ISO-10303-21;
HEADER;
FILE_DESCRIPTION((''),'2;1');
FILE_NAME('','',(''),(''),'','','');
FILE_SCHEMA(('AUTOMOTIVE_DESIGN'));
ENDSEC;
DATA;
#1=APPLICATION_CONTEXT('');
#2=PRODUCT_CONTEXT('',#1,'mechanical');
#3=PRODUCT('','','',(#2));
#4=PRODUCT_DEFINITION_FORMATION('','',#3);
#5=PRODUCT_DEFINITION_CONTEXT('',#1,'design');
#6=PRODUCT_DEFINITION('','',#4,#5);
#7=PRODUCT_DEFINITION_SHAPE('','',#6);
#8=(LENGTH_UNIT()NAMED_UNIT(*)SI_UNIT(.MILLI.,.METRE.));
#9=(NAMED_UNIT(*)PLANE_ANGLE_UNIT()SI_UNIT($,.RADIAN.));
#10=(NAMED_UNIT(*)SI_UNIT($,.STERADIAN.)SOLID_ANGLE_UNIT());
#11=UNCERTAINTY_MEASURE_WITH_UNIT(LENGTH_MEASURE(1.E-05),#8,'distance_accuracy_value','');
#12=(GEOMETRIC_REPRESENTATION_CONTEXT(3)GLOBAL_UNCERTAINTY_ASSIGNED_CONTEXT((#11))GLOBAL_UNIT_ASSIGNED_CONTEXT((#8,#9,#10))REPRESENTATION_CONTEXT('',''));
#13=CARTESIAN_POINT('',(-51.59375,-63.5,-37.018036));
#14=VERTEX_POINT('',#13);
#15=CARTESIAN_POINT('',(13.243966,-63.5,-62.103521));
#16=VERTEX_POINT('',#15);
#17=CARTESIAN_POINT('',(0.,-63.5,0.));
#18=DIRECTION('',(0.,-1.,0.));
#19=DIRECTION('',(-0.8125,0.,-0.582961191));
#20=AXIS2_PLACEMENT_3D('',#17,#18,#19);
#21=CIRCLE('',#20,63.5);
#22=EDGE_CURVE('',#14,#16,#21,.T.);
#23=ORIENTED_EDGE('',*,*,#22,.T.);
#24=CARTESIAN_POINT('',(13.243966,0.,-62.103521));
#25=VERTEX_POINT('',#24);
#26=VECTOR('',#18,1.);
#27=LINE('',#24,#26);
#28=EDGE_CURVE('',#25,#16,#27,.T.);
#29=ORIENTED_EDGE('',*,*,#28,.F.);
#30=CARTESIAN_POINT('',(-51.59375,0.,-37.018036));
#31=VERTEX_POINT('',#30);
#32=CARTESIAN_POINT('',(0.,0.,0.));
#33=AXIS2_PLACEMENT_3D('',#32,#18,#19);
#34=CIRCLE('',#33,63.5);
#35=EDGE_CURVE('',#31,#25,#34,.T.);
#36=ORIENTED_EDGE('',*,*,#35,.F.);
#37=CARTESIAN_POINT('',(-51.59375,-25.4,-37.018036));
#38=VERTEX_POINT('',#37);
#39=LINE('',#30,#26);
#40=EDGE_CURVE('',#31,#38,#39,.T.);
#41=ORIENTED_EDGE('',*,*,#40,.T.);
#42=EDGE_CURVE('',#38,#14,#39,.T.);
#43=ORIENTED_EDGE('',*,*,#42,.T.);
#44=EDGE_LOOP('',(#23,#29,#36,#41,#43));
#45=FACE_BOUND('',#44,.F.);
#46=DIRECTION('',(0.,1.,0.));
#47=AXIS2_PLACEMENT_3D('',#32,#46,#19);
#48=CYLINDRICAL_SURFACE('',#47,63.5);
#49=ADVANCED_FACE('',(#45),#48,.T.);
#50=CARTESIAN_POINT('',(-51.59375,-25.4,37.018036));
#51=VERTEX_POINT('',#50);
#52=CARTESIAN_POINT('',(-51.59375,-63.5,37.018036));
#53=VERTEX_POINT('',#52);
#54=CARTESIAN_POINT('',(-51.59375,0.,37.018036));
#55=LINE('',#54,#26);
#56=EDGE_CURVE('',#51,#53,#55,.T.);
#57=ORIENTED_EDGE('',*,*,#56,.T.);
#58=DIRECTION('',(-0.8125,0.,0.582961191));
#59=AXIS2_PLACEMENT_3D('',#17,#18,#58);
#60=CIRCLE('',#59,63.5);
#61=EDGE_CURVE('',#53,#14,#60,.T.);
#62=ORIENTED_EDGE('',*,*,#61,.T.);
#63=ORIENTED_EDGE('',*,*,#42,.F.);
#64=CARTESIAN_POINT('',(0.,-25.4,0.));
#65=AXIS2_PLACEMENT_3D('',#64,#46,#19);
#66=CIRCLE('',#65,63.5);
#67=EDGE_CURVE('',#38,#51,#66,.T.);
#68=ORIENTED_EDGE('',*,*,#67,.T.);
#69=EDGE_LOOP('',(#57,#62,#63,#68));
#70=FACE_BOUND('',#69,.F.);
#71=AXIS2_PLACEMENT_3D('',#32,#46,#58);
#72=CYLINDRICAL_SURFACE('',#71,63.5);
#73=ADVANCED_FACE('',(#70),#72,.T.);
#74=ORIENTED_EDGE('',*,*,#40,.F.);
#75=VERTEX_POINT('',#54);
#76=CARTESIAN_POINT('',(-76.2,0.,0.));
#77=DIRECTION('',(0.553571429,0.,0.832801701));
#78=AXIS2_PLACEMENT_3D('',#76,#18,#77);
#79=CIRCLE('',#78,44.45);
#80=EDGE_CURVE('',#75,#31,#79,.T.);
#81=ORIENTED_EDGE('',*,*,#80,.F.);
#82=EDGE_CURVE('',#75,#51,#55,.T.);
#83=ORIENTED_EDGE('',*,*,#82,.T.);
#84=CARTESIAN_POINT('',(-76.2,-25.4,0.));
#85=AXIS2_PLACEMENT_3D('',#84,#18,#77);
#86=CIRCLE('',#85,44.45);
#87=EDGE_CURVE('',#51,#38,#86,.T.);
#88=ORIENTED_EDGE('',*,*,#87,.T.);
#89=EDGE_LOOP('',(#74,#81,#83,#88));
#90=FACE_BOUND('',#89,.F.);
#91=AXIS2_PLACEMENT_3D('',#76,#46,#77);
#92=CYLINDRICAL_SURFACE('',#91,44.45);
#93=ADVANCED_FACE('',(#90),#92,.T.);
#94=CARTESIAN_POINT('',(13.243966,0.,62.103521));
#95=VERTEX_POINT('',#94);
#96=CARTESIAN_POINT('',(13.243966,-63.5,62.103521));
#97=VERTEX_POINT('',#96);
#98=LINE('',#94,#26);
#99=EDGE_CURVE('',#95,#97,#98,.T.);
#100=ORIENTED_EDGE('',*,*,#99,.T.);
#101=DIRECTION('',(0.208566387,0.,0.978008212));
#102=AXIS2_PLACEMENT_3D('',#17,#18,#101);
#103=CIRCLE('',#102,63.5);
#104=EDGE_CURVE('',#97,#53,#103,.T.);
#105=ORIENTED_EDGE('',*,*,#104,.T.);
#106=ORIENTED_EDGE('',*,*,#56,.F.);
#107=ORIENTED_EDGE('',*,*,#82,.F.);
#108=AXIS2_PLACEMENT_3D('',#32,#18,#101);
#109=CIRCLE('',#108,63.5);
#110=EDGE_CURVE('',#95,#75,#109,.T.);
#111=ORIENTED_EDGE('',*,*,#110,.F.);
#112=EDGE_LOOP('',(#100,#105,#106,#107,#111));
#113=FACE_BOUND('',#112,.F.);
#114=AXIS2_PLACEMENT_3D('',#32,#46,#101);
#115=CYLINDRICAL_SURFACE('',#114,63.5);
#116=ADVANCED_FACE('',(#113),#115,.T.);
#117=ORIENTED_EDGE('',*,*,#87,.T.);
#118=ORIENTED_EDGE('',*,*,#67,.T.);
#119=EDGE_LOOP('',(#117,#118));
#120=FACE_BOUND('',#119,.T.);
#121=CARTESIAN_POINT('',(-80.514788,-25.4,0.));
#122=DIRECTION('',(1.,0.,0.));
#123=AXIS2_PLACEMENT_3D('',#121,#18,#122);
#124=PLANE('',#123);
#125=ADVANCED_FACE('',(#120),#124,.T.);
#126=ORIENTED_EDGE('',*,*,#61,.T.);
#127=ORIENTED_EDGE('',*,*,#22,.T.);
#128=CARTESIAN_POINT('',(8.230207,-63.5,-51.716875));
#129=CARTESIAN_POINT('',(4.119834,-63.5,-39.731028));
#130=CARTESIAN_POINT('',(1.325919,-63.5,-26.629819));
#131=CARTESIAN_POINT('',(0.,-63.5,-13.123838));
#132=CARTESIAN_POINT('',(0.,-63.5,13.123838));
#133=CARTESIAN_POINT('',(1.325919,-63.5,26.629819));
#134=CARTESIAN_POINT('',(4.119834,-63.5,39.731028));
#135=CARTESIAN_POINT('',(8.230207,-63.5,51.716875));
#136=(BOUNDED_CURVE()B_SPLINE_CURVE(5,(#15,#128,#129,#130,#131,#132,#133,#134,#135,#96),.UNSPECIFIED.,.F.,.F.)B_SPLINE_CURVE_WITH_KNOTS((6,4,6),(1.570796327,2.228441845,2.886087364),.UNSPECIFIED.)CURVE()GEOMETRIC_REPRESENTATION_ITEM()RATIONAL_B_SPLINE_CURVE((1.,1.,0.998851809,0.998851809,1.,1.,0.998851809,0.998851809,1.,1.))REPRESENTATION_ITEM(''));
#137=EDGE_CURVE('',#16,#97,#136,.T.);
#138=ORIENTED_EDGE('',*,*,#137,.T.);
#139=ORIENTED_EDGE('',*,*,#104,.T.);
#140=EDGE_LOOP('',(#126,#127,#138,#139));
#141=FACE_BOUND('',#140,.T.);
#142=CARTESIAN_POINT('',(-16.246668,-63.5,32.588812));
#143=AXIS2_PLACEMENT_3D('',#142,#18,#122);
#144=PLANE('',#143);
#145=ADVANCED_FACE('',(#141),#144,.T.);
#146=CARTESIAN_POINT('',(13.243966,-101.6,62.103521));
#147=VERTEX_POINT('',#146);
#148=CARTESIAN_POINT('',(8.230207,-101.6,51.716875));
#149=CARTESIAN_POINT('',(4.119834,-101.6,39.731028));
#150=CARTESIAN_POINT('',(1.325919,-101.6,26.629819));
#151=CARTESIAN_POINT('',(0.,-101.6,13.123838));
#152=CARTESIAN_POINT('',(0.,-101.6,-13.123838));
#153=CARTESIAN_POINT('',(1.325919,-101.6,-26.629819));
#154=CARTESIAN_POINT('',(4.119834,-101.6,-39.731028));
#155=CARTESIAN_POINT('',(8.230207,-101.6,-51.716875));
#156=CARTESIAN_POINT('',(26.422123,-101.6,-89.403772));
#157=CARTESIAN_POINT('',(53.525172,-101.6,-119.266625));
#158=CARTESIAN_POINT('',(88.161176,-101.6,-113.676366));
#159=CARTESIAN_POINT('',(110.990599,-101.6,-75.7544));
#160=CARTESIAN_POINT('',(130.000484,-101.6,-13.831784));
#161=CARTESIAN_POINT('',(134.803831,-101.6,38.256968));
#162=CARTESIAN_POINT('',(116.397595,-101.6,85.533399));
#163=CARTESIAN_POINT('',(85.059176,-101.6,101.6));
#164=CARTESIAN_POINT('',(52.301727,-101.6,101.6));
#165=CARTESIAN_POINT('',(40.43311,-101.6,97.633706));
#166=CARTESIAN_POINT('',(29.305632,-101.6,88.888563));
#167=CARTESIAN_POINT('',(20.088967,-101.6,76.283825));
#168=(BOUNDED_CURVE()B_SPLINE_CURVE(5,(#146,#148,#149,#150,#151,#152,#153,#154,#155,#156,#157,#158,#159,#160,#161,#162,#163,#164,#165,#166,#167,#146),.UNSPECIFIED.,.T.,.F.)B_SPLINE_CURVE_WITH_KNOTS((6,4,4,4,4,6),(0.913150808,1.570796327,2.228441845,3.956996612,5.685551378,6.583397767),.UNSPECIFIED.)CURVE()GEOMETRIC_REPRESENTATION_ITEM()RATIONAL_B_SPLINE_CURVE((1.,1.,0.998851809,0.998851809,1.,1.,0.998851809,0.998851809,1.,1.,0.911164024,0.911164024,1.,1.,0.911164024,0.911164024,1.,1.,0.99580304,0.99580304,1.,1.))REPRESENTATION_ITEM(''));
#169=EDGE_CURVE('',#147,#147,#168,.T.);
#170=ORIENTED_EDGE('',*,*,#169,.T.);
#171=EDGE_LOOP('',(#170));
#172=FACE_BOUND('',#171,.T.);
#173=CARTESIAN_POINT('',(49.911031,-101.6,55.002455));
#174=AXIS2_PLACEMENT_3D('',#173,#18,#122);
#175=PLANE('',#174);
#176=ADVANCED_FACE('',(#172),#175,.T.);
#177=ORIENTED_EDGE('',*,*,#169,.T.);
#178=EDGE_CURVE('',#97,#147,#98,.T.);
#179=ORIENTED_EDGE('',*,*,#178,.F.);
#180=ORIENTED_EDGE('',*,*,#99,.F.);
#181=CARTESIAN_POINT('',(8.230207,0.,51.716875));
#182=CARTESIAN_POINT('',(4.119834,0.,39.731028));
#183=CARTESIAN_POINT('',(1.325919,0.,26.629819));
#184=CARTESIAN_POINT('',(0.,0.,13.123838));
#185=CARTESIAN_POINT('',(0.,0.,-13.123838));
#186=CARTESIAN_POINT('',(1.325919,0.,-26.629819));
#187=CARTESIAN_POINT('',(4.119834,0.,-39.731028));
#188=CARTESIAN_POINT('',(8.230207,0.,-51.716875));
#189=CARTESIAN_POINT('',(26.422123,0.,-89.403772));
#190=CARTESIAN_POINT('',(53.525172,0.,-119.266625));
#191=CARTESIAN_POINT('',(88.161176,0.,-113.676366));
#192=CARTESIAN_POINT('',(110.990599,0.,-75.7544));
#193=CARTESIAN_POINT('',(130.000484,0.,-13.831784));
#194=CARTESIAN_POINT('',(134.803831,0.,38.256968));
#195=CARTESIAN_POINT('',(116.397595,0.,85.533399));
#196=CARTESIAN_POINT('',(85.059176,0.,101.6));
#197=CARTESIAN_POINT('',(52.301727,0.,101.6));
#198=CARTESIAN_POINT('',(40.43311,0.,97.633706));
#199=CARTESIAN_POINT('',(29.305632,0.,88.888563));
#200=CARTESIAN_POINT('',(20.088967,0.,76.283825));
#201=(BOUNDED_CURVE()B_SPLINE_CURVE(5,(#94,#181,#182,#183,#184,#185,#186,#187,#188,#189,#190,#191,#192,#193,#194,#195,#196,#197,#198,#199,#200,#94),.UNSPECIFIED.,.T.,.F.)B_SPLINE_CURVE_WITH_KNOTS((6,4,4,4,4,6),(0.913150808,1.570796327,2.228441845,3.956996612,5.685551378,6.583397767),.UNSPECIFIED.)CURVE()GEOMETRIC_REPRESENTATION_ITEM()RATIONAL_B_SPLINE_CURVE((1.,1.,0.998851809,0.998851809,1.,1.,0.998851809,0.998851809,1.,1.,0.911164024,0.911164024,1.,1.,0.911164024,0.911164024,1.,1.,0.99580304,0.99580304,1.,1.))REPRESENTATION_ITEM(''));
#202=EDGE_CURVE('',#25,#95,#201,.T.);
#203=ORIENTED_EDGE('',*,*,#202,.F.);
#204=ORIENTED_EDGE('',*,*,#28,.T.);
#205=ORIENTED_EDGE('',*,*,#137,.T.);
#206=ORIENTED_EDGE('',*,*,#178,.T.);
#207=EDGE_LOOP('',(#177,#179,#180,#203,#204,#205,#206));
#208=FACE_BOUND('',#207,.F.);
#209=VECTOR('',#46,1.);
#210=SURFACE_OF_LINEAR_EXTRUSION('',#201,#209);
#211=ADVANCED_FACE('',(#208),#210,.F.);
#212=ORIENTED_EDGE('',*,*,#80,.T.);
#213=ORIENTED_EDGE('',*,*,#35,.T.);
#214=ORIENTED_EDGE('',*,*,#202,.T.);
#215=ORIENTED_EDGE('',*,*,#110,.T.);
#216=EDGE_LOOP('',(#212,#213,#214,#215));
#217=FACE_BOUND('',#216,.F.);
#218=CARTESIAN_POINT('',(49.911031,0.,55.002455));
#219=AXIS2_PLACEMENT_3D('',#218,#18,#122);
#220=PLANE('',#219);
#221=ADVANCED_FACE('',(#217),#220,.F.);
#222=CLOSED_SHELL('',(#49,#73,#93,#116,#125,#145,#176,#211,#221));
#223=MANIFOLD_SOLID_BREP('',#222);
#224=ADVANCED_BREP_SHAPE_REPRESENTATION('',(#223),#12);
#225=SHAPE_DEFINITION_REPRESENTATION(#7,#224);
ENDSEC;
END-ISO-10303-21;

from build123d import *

# Parameters (mm, degrees)
F1_DEPTH = 25.4
F2_DEPTH = 63.5
F3_DEPTH = 101.6


with BuildPart() as f1:
    # F0 (on Front) → F1 (new body)
    with BuildSketch(Plane.XZ):
        with BuildLine():
            ThreePointArc((-51.59375, -37.0180356169), (-60.4501990278, -19.4428248333), (-63.5, 0))
            ThreePointArc((-63.5, 0), (-60.4501990278, 19.4428248333), (-51.59375, 37.0180356169))
            ThreePointArc((-51.59375, 37.0180356169), (-120.65, 0), (-51.59375, -37.0180356169))
        make_face()
    extrude(amount=F1_DEPTH)

    # F0 (on Front) → F2 (join)
    with BuildSketch(Plane.XZ):
        with BuildLine():
            Line((-31.75, 0), (0, 0))
            add(Edge.make_bspline(
                [(13.2439655959, 62.1035214404), (0, 34.6669399309), (0, 0)],
                knots=[0.9131508081, 0.9131508081, 0.9131508081, 1.5707963268, 1.5707963268, 1.5707963268], degree=2, weights=[1, 0.9464231645, 1]))
            ThreePointArc((13.2439655959, 62.1035214404), (-22.9128106244, 59.2220660674), (-51.59375, 37.0180356169))
            ThreePointArc((-51.59375, 37.0180356169), (-37.0237934934, 21.0006510316), (-31.75, 0))
        make_face()
        with BuildLine():
            Line((-63.5, 0), (-31.75, 0))
            ThreePointArc((-31.75, 0), (-37.0237934934, 21.0006510316), (-51.59375, 37.0180356169))
            ThreePointArc((-51.59375, 37.0180356169), (-60.4501990278, 19.4428248333), (-63.5, 0))
        make_face()
        with BuildLine():
            ThreePointArc((-51.59375, -37.0180356169), (-37.0237934934, -21.0006510316), (-31.75, 0))
            Line((-31.75, 0), (-63.5, 0))
            ThreePointArc((-63.5, 0), (-60.4501990278, -19.4428248333), (-51.59375, -37.0180356169))
        make_face()
        with BuildLine():
            add(Edge.make_bspline(
                [(0, 0), (0, -34.6669399309), (13.2439655959, -62.1035214404)],
                knots=[1.5707963268, 1.5707963268, 1.5707963268, 2.2284418454, 2.2284418454, 2.2284418454], degree=2, weights=[1, 0.9464231645, 1]))
            Line((0, 0), (-31.75, 0))
            ThreePointArc((-31.75, 0), (-37.0237934934, -21.0006510316), (-51.59375, -37.0180356169))
            ThreePointArc((-51.59375, -37.0180356169), (-22.9128106244, -59.2220660674), (13.2439655959, -62.1035214404))
        make_face()
    extrude(amount=F2_DEPTH)

    # F0 (on Front) → F3 (join)
    with BuildSketch(Plane.XZ):
        with BuildLine():
            add(Edge.make_bspline(
                [(63.5, 101.6), (32.3093875408, 101.6), (13.2439655959, 62.1035214404)],
                knots=[0, 0, 0, 0.9131508081, 0.9131508081, 0.9131508081], degree=2, weights=[1, 0.8975675831, 1]))
            ThreePointArc((13.2439655959, 62.1035214404), (49.3621404284, 39.9453262889), (63.5, 0))
            Line((63.5, 0), (63.5, 101.6))
        make_face()
        with BuildLine():
            ThreePointArc((63.5, 0), (49.3621404284, -39.9453262889), (13.2439655959, -62.1035214404))
            add(Edge.make_bspline(
                [(13.2439655959, -62.1035214404), (75.5537087854, -191.1861844445), (120.4955415237, -44.7930922222), (165.437374262, 101.6), (63.5, 101.6)],
                knots=[2.2284418454, 2.2284418454, 2.2284418454, 4.2558135763, 4.2558135763, 6.2831853072, 6.2831853072, 6.2831853072], degree=2, weights=[1, 0.5287358074, 1, 0.5287358074, 1]))
            Line((63.5, 101.6), (63.5, 0))
        make_face()
        with BuildLine():
            add(Edge.make_bspline(
                [(13.2439655959, 62.1035214404), (0, 34.6669399309), (0, 0)],
                knots=[0.9131508081, 0.9131508081, 0.9131508081, 1.5707963268, 1.5707963268, 1.5707963268], degree=2, weights=[1, 0.9464231645, 1]))
            add(Edge.make_bspline(
                [(0, 0), (0, -34.6669399309), (13.2439655959, -62.1035214404)],
                knots=[1.5707963268, 1.5707963268, 1.5707963268, 2.2284418454, 2.2284418454, 2.2284418454], degree=2, weights=[1, 0.9464231645, 1]))
            ThreePointArc((13.2439655959, -62.1035214404), (49.3621404284, -39.9453262889), (63.5, 0))
            ThreePointArc((63.5, 0), (49.3621404284, 39.9453262889), (13.2439655959, 62.1035214404))
        make_face()
    extrude(amount=F3_DEPTH)


solid = f1.part
